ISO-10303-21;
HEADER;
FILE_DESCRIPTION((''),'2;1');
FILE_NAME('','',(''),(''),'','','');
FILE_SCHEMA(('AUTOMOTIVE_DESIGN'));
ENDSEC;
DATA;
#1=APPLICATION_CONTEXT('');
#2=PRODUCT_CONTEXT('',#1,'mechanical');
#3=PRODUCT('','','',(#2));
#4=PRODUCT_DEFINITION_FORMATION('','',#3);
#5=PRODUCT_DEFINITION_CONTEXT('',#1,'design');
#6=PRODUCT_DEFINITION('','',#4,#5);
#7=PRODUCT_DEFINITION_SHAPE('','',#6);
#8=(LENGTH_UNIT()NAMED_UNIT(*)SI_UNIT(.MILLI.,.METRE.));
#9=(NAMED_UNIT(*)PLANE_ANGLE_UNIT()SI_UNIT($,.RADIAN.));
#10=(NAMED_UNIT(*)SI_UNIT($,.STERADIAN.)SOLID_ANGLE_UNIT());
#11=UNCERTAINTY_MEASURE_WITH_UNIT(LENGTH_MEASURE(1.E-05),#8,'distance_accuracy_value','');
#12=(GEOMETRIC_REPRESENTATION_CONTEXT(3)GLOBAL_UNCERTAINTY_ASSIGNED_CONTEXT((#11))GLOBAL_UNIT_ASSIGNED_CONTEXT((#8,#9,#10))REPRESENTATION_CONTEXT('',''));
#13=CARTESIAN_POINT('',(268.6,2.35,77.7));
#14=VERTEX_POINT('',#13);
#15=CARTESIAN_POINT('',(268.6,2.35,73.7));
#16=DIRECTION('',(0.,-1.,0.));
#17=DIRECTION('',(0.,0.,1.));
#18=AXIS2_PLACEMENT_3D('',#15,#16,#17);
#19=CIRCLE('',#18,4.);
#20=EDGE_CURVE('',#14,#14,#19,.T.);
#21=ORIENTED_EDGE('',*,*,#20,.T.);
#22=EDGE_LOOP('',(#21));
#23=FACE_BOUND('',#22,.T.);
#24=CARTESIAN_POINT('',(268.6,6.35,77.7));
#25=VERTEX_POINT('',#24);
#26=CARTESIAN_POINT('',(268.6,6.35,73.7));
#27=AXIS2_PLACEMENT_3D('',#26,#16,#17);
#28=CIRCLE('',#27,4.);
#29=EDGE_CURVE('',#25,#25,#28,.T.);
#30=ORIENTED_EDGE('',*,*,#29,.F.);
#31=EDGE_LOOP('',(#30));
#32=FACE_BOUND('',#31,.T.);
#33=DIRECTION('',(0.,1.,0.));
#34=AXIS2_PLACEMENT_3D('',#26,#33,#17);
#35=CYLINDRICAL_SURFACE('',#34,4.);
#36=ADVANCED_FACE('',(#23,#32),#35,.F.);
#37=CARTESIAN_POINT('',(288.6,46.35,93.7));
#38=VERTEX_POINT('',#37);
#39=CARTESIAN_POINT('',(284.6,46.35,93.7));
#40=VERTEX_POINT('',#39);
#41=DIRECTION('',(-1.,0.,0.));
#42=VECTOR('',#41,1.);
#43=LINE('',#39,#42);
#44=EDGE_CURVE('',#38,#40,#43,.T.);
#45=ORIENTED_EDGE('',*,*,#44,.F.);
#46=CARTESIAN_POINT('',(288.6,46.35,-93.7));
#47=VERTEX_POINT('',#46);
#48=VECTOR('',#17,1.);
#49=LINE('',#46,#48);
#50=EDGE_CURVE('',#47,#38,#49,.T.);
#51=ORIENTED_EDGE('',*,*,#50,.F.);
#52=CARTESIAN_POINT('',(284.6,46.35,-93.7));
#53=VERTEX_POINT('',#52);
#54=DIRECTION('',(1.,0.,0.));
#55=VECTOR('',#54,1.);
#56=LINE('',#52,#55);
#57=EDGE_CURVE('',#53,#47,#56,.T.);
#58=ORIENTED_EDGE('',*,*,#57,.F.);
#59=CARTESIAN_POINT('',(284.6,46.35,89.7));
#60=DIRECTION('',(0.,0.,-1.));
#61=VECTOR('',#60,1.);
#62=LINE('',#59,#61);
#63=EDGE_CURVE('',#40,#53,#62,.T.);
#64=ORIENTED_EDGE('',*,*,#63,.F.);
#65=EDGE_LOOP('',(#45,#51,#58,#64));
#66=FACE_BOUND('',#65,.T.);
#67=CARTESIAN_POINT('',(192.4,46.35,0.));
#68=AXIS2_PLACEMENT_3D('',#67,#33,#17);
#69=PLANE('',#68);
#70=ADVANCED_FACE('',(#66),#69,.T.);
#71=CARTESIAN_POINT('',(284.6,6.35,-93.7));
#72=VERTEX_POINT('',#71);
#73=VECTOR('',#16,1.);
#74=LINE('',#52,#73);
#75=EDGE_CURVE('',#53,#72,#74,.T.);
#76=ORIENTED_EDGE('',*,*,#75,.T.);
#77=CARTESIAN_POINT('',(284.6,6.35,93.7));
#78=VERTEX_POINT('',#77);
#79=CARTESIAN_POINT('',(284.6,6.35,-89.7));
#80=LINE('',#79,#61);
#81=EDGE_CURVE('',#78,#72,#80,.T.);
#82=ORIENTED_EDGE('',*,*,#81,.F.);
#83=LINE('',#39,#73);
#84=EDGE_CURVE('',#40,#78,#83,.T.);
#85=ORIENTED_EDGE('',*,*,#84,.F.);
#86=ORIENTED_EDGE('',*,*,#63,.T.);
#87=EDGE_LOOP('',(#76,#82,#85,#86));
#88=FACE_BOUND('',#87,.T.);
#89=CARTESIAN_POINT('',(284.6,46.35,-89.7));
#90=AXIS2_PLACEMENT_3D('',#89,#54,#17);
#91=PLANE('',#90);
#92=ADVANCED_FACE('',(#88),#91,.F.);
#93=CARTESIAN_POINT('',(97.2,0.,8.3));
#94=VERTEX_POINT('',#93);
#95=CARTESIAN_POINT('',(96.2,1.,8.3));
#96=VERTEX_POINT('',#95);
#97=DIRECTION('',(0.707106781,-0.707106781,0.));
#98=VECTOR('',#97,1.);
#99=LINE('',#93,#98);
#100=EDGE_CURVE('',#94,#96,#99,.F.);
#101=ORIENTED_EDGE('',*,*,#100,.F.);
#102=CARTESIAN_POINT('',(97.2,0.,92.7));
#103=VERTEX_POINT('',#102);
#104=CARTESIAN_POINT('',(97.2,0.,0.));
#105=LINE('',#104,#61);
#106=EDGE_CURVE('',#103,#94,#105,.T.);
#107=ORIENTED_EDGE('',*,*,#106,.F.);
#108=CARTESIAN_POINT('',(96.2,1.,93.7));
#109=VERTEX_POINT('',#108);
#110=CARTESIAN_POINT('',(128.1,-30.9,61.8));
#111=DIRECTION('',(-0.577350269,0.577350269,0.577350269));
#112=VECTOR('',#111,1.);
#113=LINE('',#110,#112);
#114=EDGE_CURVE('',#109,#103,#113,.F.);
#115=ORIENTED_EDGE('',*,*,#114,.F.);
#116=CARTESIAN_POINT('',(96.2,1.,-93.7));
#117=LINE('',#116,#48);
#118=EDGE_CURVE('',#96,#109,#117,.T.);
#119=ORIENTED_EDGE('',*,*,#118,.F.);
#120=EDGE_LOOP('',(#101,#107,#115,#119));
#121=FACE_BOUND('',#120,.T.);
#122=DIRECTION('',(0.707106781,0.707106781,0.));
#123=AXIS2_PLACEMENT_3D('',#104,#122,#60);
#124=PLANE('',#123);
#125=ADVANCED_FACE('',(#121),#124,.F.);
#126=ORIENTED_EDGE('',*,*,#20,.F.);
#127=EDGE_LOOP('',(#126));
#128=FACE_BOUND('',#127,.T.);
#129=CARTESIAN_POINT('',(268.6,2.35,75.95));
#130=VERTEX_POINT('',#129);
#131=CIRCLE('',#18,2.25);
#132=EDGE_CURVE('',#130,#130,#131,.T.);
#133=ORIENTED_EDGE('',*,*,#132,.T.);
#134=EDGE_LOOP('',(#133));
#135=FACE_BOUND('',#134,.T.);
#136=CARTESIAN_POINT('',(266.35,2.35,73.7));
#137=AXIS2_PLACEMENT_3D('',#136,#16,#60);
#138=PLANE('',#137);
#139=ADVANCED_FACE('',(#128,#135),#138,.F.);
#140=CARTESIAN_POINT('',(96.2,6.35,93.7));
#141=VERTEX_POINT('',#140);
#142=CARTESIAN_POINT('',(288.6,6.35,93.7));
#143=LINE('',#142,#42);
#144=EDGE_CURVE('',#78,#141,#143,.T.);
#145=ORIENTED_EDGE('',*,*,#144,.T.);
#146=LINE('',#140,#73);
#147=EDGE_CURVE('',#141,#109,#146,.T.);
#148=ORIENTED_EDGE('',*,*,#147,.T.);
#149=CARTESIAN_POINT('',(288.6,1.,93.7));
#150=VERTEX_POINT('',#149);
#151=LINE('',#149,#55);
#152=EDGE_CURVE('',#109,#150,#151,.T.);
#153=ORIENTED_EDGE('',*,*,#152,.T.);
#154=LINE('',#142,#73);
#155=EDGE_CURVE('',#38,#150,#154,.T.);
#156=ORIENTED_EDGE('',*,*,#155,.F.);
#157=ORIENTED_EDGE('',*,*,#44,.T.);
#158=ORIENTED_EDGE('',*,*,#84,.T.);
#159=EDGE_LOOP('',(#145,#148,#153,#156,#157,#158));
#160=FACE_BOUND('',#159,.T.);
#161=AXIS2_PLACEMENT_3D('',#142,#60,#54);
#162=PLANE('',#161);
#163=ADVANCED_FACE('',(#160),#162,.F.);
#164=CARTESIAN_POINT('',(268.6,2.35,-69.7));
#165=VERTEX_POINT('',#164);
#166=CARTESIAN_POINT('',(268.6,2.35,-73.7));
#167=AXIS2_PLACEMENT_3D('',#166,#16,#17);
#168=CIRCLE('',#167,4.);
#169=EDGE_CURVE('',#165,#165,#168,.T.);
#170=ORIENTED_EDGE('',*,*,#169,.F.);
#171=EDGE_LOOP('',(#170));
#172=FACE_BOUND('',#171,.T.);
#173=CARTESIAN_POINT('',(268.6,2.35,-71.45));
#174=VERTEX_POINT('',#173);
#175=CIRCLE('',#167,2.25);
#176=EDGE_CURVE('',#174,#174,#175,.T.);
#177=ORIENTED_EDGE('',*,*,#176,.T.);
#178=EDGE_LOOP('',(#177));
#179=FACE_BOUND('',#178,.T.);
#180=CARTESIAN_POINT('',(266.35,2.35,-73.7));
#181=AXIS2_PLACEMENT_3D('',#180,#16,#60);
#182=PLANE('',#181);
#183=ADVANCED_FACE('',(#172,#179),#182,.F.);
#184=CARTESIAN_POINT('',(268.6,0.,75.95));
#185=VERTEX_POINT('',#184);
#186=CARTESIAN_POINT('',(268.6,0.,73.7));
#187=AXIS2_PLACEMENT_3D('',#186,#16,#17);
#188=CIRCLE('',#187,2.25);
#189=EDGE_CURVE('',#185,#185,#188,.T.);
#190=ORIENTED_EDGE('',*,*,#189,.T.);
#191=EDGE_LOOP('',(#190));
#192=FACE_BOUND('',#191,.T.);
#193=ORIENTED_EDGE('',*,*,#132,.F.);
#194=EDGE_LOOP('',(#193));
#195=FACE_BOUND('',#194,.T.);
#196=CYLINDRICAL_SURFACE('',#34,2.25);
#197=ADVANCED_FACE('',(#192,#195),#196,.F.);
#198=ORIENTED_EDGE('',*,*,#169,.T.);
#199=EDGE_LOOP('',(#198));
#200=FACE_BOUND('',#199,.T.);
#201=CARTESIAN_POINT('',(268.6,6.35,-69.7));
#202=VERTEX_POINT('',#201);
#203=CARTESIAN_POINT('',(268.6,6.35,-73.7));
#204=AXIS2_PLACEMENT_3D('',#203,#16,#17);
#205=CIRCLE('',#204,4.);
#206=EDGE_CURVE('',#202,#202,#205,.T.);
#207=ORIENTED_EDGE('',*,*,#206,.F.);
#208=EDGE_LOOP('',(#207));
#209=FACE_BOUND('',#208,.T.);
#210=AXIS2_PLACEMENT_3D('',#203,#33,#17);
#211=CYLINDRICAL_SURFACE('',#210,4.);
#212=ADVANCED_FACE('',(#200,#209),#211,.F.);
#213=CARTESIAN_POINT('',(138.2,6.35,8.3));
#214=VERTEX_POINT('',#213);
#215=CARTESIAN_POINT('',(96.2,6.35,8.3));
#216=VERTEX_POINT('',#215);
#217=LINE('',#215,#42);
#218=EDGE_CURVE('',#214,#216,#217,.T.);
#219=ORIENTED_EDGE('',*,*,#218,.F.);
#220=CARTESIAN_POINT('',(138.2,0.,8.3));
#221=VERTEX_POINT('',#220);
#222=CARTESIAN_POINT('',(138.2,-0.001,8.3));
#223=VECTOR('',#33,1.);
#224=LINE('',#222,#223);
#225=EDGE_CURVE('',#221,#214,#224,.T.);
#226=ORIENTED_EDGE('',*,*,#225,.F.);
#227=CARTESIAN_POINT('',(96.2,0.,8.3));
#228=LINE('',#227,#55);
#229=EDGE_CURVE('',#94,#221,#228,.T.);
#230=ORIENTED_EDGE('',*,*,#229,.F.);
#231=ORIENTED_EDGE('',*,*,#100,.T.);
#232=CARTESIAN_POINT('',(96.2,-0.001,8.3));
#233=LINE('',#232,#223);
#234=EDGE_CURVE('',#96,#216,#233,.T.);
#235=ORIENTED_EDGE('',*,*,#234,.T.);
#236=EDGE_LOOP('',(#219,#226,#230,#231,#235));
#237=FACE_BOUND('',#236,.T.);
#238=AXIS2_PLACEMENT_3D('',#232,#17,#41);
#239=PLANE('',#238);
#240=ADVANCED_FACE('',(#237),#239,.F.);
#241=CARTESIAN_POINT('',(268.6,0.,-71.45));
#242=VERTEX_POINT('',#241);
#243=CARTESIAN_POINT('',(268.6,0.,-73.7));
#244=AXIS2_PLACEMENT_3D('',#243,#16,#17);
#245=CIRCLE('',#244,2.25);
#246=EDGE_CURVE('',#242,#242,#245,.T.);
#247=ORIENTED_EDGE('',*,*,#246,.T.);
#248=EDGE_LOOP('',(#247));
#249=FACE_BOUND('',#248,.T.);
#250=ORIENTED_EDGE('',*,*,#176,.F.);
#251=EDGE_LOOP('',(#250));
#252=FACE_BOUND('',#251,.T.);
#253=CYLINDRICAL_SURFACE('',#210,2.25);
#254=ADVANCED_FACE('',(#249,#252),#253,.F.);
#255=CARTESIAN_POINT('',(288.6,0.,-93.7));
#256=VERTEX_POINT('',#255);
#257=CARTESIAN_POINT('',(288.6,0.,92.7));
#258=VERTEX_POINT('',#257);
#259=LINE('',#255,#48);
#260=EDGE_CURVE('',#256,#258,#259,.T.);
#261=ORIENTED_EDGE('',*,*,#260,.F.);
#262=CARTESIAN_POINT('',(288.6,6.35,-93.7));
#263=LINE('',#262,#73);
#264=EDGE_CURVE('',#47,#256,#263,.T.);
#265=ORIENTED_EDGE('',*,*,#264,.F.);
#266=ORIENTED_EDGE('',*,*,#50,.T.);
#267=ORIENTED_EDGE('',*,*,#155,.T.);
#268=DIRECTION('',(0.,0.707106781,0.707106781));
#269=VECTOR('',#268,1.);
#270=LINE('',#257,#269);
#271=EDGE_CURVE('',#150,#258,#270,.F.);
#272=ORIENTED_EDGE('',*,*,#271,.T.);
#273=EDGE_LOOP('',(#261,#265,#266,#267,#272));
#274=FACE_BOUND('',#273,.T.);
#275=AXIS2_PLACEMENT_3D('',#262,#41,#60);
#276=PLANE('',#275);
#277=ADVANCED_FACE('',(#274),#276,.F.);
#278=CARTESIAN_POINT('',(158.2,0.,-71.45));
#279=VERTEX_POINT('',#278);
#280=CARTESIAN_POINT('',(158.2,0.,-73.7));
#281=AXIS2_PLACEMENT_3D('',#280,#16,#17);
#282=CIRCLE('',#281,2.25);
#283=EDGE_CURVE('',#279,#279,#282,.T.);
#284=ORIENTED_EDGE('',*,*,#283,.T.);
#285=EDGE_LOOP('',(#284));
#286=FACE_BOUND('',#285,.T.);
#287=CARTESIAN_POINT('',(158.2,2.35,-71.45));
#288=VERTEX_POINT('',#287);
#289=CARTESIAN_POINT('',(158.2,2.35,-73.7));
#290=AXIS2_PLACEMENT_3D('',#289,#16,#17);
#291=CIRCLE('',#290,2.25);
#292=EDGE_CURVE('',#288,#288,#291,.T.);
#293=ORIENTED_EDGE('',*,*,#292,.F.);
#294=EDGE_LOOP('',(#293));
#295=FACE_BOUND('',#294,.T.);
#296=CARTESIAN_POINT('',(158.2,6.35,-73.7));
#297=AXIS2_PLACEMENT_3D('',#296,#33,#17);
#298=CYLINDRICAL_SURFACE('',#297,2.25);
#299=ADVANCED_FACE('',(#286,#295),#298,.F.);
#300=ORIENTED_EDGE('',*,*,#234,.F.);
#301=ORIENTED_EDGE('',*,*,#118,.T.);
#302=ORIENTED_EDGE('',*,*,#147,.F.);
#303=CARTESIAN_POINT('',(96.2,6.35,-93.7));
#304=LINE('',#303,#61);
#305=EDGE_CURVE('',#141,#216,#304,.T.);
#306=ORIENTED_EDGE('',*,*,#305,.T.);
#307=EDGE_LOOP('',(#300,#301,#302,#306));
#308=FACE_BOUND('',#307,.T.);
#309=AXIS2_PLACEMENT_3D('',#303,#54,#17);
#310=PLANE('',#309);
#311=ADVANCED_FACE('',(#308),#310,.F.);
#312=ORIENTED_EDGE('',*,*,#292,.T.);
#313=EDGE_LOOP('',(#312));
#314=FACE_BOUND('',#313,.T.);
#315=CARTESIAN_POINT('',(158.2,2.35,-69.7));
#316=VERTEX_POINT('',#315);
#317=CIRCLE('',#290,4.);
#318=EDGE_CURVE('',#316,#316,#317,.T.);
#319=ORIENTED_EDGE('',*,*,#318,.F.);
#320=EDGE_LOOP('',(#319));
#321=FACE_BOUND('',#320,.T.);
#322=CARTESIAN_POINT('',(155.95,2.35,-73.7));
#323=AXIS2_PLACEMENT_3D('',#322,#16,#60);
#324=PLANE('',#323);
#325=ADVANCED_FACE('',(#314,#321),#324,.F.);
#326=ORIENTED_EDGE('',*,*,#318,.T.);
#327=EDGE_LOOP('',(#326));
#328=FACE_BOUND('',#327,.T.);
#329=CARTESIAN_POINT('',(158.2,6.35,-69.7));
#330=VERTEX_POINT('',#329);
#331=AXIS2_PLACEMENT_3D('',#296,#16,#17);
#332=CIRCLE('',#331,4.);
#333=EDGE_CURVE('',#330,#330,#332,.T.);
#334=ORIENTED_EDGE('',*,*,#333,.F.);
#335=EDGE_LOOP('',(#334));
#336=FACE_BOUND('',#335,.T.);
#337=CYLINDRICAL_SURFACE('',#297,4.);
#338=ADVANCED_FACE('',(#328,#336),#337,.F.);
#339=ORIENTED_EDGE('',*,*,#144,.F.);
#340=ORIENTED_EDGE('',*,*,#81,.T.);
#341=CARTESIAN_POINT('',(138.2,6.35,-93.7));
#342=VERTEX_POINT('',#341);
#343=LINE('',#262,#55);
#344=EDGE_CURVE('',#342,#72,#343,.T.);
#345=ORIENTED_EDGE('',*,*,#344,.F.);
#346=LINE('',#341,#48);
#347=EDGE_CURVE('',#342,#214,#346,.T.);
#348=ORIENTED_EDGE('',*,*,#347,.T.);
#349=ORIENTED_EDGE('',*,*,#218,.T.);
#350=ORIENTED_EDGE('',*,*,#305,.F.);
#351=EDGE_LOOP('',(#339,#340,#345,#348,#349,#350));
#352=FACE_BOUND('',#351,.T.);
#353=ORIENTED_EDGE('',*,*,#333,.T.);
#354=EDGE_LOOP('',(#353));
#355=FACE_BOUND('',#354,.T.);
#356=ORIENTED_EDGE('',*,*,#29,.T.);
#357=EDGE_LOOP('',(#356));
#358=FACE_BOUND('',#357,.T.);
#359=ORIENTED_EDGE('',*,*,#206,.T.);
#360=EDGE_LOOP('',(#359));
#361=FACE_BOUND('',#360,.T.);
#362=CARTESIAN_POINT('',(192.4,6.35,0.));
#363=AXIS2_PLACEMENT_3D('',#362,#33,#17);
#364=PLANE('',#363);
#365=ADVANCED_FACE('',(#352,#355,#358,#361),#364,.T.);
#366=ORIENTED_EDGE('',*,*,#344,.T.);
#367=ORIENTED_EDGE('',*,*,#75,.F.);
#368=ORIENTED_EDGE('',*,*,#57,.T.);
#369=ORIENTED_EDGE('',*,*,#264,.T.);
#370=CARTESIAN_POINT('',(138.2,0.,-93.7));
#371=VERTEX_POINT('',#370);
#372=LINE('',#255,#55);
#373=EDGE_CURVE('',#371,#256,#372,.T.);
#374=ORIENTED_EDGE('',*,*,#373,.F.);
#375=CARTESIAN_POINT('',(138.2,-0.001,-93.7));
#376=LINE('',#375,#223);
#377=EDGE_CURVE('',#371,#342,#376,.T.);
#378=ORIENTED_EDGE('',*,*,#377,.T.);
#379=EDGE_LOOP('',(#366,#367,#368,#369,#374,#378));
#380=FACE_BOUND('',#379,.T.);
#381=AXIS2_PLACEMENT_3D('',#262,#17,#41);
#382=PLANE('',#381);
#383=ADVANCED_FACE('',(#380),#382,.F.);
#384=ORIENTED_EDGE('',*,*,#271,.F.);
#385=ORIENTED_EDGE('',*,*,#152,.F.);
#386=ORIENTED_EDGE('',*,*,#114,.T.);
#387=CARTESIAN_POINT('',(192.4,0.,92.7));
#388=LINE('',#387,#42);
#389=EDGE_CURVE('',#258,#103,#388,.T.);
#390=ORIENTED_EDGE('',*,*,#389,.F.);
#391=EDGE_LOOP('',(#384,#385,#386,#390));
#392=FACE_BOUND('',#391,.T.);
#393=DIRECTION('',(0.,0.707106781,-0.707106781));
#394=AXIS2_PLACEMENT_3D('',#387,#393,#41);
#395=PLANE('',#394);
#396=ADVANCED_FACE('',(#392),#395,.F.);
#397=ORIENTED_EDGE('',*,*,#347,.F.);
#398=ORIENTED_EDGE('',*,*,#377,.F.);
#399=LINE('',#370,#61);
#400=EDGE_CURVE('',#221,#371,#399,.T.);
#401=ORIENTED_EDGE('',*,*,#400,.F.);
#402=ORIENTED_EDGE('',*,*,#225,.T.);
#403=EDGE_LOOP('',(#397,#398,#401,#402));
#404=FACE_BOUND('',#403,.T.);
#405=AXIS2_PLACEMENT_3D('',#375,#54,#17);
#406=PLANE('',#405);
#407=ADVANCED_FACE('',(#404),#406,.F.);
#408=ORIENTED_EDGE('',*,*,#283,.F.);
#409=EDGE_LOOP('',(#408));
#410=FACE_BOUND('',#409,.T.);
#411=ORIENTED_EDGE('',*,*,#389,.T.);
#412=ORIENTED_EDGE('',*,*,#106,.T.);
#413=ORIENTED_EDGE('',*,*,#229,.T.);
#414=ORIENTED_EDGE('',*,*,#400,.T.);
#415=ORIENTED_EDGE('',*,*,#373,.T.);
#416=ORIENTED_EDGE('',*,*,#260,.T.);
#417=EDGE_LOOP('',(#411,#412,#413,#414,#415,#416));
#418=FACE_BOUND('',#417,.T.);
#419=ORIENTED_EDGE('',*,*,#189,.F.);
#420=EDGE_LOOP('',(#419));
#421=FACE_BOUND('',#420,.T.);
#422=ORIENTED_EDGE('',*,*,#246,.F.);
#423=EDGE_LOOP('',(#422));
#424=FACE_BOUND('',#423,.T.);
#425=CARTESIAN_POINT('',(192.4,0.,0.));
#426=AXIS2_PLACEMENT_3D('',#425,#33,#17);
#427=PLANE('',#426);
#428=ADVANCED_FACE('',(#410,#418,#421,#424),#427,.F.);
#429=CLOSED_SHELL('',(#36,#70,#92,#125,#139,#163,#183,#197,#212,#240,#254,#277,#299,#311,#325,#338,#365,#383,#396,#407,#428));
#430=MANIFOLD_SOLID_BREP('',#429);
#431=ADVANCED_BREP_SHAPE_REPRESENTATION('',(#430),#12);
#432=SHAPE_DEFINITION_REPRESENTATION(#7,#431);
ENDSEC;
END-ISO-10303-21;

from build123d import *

# Parameters (mm, degrees)
SKETCH1_W                      = 192.4
SKETCH1_H                      = 187.4
BOSS_EXTRUDE1_DEPTH            = 6.35
BOSS_EXTRUDE2_DEPTH            = 40
CUT_EXTRUDE1_REACH             = 142.122
SKETCH4_W                      = 42
SKETCH4_H                      = 102
CBORE_FOR_M4_SHCS1_D           = 4.5
CBORE_FOR_M4_SHCS1_CBORE_D     = 8
CBORE_FOR_M4_SHCS1_CBORE_DEPTH = 4
CHAMFER1_SIZE                  = 1


with BuildPart() as part:
    # Sketch1 → Boss-Extrude1 (new body)
    with BuildSketch(Plane(origin=(0, 0, 0), x_dir=(1, 0, 0), z_dir=(0, 1, 0))):
        Rectangle(SKETCH1_W, SKETCH1_H)
    extrude(amount=BOSS_EXTRUDE1_DEPTH)

    # Sketch2 → Boss-Extrude2 (add)
    with BuildSketch(Plane(origin=(0, 6.35, 0), x_dir=(1, 0, 0), z_dir=(0, 1, 0))):
        Polygon((-92.2, 89.7), (-92.2, -89.7), (-92.2, -93.7), (-96.2, -93.7), (-96.2, 93.7), (-92.2, 93.7), align=None)
    extrude(amount=BOSS_EXTRUDE2_DEPTH)

    # Sketch4 → Cut-Extrude1 (cut, up to next)
    with BuildSketch(Plane(origin=(0, 6.35, 0), x_dir=(1, 0, 0), z_dir=(0, 1, 0)), mode=Mode.PRIVATE) as cut_extrude1_sk1:
        with Locations((75.2, 42.7)):
            Rectangle(SKETCH4_W, SKETCH4_H)
    cut_extrude1_tool1 = extrude(cut_extrude1_sk1.sketch, amount=-CUT_EXTRUDE1_REACH, mode=Mode.PRIVATE) & part.part
    add(cut_extrude1_tool1.solids().sort_by_distance((75.2, 6.35, -42.7))[0], mode=Mode.SUBTRACT)

    # CBORE for M4 SHCS1 (through all)
    with Locations(Plane(origin=(0, 6.35, 0), x_dir=(1, 0, 0), z_dir=(0, 1, 0))):
        with Locations((34.2, 73.7), (-76.2, 73.7), (-76.2, -73.7)):
            CounterBoreHole(CBORE_FOR_M4_SHCS1_D / 2, CBORE_FOR_M4_SHCS1_CBORE_D / 2, CBORE_FOR_M4_SHCS1_CBORE_DEPTH)


with BuildPart() as body_2:
    # Mirror1: mirrored copy
    add(part.part.mirror(Plane(origin=(96.2, 6.35, -93.7), x_dir=(0, 0, 1), z_dir=(-1, 0, 0))))

    # Chamfer1
    chamfer1_edges = [body_2.edges().sort_by_distance(p)[0] for p in [
        (192.4, 0, 93.7),
        (96.2, 0, 51),
    ]]
    chamfer(chamfer1_edges, length=CHAMFER1_SIZE)


solid = body_2.part
